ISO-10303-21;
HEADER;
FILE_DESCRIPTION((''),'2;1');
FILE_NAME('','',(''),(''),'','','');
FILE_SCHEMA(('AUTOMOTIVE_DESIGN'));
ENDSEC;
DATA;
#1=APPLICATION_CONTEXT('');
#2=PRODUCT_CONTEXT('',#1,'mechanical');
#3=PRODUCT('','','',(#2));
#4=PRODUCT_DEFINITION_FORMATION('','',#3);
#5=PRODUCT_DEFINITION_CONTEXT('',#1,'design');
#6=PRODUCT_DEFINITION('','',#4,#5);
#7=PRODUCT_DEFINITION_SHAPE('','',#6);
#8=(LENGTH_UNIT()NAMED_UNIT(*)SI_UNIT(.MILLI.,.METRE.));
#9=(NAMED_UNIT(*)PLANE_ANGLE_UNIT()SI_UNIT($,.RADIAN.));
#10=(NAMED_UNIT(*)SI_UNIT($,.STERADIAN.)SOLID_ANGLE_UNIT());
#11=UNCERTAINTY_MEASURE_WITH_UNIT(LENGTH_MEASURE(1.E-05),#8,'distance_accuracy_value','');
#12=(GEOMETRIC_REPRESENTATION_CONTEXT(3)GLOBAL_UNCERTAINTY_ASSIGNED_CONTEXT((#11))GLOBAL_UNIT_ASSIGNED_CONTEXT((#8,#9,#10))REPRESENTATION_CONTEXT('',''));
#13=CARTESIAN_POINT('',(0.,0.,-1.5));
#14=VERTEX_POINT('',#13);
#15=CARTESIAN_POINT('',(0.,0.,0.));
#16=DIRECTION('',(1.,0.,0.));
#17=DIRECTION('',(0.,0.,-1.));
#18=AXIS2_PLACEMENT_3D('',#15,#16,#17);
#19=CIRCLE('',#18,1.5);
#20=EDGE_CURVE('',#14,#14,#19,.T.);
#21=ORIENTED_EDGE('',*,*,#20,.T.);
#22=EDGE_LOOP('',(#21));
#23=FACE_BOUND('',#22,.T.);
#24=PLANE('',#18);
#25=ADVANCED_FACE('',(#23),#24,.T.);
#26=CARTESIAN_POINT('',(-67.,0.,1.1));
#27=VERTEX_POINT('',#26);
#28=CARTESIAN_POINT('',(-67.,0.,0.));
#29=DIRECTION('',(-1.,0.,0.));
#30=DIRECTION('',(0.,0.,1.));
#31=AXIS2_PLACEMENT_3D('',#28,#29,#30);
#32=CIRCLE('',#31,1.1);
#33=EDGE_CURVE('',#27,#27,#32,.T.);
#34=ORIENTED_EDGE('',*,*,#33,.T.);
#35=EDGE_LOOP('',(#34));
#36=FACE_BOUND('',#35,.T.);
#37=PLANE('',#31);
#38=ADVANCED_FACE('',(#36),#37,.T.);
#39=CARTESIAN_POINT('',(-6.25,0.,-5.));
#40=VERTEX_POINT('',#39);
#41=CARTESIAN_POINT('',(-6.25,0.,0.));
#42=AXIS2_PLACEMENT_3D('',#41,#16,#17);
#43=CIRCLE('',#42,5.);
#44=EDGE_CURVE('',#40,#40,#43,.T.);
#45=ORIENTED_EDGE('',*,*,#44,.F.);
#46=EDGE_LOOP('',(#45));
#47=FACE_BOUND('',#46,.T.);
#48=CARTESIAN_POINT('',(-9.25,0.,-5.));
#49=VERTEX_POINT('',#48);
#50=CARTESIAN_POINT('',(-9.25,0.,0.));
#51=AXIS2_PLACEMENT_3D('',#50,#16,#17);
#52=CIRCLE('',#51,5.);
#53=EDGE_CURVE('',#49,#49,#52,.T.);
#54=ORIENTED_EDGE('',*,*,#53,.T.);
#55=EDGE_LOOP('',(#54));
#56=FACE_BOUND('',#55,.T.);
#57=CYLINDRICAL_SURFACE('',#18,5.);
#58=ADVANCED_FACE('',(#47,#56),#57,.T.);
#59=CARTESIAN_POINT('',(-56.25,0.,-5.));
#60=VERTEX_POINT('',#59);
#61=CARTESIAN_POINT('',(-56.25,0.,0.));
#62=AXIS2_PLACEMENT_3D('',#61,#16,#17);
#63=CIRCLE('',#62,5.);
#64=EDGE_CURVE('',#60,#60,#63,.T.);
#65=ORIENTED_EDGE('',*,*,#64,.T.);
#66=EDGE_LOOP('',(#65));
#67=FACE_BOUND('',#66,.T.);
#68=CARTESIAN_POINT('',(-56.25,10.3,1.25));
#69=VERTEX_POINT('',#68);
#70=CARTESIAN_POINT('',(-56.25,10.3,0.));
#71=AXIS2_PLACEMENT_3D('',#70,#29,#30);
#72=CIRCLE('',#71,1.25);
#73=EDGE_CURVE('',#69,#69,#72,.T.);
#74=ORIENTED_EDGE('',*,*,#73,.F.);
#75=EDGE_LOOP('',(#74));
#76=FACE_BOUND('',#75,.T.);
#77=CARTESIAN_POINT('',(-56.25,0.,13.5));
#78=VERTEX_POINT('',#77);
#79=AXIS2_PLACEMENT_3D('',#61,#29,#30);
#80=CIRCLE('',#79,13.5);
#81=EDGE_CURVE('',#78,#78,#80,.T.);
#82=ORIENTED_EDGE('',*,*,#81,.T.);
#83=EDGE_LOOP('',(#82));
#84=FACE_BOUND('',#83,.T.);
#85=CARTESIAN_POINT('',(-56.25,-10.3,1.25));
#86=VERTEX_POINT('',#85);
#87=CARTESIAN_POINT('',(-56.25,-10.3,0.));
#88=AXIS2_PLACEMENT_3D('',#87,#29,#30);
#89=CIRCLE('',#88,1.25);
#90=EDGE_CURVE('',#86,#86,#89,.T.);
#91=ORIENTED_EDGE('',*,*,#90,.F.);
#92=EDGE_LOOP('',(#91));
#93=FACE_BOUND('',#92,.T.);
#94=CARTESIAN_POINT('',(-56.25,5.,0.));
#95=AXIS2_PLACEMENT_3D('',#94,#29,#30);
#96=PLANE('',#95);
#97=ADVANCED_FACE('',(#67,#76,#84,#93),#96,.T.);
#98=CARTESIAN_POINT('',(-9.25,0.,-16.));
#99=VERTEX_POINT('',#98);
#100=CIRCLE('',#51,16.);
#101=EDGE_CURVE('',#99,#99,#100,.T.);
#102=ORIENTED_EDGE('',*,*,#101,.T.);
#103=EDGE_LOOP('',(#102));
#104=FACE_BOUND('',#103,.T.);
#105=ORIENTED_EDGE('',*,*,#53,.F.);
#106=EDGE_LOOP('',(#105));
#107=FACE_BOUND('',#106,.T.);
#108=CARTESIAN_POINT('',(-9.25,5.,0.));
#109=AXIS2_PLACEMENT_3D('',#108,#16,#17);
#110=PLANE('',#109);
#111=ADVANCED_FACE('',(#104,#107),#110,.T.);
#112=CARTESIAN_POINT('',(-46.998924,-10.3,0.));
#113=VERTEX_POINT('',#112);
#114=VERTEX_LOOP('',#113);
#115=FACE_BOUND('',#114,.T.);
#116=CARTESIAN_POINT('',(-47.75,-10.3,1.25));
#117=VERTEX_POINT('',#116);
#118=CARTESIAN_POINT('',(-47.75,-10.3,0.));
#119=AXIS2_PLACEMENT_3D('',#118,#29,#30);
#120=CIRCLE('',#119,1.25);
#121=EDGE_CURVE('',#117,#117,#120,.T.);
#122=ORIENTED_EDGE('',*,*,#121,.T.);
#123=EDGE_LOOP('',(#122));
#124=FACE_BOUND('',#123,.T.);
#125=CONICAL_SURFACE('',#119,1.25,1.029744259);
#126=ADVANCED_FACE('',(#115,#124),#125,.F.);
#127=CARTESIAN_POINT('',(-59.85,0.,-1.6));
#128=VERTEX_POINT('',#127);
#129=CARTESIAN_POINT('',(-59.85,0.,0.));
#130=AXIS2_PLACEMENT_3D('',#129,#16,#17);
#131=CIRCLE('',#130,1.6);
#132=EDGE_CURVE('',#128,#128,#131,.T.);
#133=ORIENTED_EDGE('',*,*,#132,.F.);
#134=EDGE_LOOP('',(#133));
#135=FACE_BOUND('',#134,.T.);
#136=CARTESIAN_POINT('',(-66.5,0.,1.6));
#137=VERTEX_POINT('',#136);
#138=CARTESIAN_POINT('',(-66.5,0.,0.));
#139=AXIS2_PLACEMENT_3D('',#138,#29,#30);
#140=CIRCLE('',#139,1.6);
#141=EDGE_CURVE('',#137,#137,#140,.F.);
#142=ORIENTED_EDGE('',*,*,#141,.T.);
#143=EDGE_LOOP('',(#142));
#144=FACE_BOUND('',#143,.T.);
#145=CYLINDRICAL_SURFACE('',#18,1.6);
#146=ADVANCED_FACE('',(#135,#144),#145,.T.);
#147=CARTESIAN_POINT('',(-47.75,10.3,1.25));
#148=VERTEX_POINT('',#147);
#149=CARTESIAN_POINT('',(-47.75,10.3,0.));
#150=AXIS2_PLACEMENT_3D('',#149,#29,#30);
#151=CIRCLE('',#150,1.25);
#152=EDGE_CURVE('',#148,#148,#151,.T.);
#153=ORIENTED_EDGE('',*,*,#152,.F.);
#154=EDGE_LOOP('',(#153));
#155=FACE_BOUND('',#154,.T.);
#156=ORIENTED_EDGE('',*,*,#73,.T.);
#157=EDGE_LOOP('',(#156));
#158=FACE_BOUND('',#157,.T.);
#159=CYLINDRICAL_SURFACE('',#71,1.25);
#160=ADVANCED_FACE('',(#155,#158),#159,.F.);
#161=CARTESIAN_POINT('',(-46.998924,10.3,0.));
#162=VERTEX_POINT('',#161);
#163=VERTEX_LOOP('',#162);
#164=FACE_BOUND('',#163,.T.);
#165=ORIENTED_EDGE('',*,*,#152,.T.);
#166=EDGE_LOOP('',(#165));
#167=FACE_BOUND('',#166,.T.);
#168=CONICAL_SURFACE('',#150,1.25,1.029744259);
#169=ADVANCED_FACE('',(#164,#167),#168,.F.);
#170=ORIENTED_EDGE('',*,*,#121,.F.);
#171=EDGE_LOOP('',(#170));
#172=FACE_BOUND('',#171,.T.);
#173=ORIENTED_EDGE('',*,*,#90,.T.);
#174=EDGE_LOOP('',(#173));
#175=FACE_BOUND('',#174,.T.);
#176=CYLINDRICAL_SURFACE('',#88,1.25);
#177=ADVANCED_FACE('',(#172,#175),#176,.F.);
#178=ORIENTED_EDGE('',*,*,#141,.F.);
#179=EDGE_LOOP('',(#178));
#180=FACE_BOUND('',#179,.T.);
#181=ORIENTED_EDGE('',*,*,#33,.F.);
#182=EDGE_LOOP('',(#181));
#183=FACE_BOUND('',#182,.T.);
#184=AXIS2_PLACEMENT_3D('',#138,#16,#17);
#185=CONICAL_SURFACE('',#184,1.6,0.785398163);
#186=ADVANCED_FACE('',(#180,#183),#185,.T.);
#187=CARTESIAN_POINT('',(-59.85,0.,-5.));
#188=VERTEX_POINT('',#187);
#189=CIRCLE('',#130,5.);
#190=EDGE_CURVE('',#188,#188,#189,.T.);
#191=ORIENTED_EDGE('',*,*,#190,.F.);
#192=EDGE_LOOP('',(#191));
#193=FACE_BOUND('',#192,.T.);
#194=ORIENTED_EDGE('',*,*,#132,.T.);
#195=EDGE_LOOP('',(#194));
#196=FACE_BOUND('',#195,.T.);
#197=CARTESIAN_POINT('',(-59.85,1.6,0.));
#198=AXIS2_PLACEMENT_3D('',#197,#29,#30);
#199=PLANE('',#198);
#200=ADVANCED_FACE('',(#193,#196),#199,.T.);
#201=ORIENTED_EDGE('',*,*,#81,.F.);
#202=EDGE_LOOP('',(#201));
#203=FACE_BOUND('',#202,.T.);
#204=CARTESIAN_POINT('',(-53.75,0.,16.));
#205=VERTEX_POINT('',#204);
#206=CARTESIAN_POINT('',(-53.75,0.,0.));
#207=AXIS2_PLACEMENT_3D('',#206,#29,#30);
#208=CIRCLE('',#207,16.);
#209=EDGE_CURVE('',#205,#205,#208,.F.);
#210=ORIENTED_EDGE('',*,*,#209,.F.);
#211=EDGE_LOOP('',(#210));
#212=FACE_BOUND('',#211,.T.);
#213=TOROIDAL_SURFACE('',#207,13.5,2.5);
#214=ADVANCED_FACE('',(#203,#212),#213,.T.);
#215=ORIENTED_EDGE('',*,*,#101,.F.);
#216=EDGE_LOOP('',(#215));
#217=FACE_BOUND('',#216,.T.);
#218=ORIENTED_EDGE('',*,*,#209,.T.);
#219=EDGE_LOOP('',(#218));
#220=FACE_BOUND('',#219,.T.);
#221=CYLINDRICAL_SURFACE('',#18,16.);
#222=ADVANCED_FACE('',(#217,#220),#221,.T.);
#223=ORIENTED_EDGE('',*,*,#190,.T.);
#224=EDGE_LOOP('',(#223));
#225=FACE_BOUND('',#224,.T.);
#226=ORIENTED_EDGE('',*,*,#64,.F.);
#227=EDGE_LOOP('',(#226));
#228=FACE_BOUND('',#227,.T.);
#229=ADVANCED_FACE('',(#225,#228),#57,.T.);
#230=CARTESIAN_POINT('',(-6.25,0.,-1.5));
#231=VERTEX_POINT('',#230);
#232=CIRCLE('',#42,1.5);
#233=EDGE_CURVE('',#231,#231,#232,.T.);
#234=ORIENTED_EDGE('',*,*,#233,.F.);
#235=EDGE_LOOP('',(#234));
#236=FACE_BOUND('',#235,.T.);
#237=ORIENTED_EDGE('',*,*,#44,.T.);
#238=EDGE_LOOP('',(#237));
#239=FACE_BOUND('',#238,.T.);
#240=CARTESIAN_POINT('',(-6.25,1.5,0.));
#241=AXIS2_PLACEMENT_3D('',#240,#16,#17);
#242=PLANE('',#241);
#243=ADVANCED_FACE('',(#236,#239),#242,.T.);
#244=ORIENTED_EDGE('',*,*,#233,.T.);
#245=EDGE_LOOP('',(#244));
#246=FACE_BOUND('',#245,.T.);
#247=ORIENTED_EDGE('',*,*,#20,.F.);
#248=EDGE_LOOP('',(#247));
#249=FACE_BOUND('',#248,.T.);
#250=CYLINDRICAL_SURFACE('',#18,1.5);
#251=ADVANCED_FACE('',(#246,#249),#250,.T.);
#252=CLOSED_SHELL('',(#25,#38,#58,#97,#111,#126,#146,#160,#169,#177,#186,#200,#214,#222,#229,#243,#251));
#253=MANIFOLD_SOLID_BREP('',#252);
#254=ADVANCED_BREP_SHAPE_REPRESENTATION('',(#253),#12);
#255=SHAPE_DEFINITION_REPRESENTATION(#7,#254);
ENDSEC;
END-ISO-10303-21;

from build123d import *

# Parameters (mm, degrees)
REDONDEO1_R                   = 2.5
TALADRO_ROSCADO_M3X0_51_D     = 2.5
TALADRO_ROSCADO_M3X0_51_DEPTH = 8.5
TALADRO_ROSCADO_M3X0_51_TIP   = 0.751075774
CHAFL_N1_SIZE                 = 0.5


with BuildPart() as part:
    # Croquis1 → Revolución1 (revolve)
    with BuildSketch(Plane(origin=(0, 0, 0), x_dir=(0, 1, 0), z_dir=(0, 0, 1)), mode=Mode.PRIVATE) as revoluci_n1_sk:
        Polygon((0, 0), (1.5, 0), (1.5, 6.25), (5, 6.25), (5, 9.25), (16, 9.25), (16, 56.25), (5, 56.25), (5, 59.85), (1.6, 59.85), (1.6, 67), (0, 67), align=None)
    revolve(revoluci_n1_sk.sketch.rotate(Axis((0, 0, 0), (-1, 0, 0)), 90), axis=Axis((0, 0, 0), (-1, 0, 0)))

    # Redondeo1
    redondeo1_edges = [part.edges().sort_by_distance(p)[0] for p in [
        (-56.25, 0, 16),
    ]]
    fillet(redondeo1_edges, radius=REDONDEO1_R)

    # Taladro roscado M3x0.51
    with Locations(Plane(origin=(-56.25, 0, 0), x_dir=(0, -1, 0), z_dir=(-1, 0, 0))):
        with Locations((-10.3, 0), (10.3, 0)):
            Hole(TALADRO_ROSCADO_M3X0_51_D / 2, depth=TALADRO_ROSCADO_M3X0_51_DEPTH)
            with Locations((0, 0, -(TALADRO_ROSCADO_M3X0_51_DEPTH + TALADRO_ROSCADO_M3X0_51_TIP / 2))):  # 118° drill point
                Cone(0, TALADRO_ROSCADO_M3X0_51_D / 2, TALADRO_ROSCADO_M3X0_51_TIP, mode=Mode.SUBTRACT)

    # Chaflán1
    chafl_n1_edges = [part.edges().sort_by_distance(p)[0] for p in [
        (-67, 0, 1.6),
    ]]
    chamfer(chafl_n1_edges, length=CHAFL_N1_SIZE)


solid = part.part
